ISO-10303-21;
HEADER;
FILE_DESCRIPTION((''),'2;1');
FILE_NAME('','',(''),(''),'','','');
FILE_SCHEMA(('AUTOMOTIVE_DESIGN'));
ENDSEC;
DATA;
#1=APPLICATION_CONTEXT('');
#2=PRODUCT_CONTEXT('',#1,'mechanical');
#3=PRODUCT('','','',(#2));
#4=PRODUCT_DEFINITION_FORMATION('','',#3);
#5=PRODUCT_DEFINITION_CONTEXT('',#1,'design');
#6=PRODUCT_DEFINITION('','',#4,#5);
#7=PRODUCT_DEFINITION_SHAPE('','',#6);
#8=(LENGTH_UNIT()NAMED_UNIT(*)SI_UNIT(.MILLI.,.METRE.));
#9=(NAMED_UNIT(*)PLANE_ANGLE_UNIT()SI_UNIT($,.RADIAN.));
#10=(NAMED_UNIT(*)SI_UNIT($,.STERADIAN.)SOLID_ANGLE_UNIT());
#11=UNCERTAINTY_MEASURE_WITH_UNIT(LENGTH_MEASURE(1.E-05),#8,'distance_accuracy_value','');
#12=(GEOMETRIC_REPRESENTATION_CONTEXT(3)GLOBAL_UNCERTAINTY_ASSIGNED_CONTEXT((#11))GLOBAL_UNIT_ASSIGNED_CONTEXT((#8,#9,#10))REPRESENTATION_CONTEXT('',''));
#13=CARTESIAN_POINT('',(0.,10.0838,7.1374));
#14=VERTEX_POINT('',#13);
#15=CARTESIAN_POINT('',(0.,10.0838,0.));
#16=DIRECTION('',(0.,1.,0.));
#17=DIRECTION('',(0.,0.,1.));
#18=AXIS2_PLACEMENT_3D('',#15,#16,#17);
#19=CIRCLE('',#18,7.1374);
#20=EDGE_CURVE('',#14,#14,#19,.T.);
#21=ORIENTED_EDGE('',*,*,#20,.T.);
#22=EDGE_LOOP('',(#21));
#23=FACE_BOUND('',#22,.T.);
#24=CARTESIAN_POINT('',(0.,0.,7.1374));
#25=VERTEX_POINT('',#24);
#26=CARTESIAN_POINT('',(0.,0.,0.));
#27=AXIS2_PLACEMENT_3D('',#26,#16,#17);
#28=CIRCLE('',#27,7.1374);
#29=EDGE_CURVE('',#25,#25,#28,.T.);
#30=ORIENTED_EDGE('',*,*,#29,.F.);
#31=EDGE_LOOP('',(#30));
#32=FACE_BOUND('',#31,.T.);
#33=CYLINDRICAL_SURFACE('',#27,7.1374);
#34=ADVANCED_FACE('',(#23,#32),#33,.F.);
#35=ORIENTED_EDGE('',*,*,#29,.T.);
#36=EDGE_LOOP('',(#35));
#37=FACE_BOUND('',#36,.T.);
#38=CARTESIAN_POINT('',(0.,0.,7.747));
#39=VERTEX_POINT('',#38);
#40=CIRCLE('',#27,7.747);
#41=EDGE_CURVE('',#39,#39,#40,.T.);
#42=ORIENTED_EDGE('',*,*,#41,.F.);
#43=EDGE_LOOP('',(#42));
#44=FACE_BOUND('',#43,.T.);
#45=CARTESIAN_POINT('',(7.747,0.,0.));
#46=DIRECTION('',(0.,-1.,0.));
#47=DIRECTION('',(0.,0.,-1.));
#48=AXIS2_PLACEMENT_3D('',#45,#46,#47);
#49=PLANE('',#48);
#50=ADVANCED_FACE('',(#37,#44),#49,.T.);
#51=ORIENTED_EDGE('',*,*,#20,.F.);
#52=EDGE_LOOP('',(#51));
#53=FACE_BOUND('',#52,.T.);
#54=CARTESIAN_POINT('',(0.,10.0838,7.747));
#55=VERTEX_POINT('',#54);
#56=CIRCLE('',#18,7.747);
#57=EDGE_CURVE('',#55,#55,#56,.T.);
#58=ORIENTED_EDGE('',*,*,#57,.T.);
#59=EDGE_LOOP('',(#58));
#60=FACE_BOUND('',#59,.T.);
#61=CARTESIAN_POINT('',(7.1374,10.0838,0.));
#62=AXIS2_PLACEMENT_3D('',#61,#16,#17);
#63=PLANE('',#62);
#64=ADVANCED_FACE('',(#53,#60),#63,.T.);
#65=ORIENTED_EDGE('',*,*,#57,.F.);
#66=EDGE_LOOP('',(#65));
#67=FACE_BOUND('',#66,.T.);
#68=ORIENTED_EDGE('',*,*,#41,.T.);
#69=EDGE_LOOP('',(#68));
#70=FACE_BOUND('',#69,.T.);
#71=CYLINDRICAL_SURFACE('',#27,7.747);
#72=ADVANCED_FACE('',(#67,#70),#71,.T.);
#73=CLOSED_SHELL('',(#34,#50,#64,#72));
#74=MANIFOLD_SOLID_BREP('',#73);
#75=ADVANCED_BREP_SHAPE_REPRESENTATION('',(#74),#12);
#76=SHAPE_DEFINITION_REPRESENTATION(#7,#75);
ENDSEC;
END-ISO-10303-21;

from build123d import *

# Parameters (mm, degrees)
SKETCH1_W = 0.6096
SKETCH1_H = 10.0838


with BuildPart() as part:
    # Sketch1 → Revolve1 (revolve)
    with BuildSketch(Plane(origin=(0, 0, 0), x_dir=(-1, 0, 0), z_dir=(0, 0, -1)), mode=Mode.PRIVATE) as revolve1_sk:
        with Locations((-7.4422, 5.0419)):
            Rectangle(SKETCH1_W, SKETCH1_H)
    revolve(revolve1_sk.sketch.rotate(Axis((0, 0, 0), (0, 1, 0)), 270), axis=Axis((0, 0, 0), (0, 1, 0)))


solid = part.part
